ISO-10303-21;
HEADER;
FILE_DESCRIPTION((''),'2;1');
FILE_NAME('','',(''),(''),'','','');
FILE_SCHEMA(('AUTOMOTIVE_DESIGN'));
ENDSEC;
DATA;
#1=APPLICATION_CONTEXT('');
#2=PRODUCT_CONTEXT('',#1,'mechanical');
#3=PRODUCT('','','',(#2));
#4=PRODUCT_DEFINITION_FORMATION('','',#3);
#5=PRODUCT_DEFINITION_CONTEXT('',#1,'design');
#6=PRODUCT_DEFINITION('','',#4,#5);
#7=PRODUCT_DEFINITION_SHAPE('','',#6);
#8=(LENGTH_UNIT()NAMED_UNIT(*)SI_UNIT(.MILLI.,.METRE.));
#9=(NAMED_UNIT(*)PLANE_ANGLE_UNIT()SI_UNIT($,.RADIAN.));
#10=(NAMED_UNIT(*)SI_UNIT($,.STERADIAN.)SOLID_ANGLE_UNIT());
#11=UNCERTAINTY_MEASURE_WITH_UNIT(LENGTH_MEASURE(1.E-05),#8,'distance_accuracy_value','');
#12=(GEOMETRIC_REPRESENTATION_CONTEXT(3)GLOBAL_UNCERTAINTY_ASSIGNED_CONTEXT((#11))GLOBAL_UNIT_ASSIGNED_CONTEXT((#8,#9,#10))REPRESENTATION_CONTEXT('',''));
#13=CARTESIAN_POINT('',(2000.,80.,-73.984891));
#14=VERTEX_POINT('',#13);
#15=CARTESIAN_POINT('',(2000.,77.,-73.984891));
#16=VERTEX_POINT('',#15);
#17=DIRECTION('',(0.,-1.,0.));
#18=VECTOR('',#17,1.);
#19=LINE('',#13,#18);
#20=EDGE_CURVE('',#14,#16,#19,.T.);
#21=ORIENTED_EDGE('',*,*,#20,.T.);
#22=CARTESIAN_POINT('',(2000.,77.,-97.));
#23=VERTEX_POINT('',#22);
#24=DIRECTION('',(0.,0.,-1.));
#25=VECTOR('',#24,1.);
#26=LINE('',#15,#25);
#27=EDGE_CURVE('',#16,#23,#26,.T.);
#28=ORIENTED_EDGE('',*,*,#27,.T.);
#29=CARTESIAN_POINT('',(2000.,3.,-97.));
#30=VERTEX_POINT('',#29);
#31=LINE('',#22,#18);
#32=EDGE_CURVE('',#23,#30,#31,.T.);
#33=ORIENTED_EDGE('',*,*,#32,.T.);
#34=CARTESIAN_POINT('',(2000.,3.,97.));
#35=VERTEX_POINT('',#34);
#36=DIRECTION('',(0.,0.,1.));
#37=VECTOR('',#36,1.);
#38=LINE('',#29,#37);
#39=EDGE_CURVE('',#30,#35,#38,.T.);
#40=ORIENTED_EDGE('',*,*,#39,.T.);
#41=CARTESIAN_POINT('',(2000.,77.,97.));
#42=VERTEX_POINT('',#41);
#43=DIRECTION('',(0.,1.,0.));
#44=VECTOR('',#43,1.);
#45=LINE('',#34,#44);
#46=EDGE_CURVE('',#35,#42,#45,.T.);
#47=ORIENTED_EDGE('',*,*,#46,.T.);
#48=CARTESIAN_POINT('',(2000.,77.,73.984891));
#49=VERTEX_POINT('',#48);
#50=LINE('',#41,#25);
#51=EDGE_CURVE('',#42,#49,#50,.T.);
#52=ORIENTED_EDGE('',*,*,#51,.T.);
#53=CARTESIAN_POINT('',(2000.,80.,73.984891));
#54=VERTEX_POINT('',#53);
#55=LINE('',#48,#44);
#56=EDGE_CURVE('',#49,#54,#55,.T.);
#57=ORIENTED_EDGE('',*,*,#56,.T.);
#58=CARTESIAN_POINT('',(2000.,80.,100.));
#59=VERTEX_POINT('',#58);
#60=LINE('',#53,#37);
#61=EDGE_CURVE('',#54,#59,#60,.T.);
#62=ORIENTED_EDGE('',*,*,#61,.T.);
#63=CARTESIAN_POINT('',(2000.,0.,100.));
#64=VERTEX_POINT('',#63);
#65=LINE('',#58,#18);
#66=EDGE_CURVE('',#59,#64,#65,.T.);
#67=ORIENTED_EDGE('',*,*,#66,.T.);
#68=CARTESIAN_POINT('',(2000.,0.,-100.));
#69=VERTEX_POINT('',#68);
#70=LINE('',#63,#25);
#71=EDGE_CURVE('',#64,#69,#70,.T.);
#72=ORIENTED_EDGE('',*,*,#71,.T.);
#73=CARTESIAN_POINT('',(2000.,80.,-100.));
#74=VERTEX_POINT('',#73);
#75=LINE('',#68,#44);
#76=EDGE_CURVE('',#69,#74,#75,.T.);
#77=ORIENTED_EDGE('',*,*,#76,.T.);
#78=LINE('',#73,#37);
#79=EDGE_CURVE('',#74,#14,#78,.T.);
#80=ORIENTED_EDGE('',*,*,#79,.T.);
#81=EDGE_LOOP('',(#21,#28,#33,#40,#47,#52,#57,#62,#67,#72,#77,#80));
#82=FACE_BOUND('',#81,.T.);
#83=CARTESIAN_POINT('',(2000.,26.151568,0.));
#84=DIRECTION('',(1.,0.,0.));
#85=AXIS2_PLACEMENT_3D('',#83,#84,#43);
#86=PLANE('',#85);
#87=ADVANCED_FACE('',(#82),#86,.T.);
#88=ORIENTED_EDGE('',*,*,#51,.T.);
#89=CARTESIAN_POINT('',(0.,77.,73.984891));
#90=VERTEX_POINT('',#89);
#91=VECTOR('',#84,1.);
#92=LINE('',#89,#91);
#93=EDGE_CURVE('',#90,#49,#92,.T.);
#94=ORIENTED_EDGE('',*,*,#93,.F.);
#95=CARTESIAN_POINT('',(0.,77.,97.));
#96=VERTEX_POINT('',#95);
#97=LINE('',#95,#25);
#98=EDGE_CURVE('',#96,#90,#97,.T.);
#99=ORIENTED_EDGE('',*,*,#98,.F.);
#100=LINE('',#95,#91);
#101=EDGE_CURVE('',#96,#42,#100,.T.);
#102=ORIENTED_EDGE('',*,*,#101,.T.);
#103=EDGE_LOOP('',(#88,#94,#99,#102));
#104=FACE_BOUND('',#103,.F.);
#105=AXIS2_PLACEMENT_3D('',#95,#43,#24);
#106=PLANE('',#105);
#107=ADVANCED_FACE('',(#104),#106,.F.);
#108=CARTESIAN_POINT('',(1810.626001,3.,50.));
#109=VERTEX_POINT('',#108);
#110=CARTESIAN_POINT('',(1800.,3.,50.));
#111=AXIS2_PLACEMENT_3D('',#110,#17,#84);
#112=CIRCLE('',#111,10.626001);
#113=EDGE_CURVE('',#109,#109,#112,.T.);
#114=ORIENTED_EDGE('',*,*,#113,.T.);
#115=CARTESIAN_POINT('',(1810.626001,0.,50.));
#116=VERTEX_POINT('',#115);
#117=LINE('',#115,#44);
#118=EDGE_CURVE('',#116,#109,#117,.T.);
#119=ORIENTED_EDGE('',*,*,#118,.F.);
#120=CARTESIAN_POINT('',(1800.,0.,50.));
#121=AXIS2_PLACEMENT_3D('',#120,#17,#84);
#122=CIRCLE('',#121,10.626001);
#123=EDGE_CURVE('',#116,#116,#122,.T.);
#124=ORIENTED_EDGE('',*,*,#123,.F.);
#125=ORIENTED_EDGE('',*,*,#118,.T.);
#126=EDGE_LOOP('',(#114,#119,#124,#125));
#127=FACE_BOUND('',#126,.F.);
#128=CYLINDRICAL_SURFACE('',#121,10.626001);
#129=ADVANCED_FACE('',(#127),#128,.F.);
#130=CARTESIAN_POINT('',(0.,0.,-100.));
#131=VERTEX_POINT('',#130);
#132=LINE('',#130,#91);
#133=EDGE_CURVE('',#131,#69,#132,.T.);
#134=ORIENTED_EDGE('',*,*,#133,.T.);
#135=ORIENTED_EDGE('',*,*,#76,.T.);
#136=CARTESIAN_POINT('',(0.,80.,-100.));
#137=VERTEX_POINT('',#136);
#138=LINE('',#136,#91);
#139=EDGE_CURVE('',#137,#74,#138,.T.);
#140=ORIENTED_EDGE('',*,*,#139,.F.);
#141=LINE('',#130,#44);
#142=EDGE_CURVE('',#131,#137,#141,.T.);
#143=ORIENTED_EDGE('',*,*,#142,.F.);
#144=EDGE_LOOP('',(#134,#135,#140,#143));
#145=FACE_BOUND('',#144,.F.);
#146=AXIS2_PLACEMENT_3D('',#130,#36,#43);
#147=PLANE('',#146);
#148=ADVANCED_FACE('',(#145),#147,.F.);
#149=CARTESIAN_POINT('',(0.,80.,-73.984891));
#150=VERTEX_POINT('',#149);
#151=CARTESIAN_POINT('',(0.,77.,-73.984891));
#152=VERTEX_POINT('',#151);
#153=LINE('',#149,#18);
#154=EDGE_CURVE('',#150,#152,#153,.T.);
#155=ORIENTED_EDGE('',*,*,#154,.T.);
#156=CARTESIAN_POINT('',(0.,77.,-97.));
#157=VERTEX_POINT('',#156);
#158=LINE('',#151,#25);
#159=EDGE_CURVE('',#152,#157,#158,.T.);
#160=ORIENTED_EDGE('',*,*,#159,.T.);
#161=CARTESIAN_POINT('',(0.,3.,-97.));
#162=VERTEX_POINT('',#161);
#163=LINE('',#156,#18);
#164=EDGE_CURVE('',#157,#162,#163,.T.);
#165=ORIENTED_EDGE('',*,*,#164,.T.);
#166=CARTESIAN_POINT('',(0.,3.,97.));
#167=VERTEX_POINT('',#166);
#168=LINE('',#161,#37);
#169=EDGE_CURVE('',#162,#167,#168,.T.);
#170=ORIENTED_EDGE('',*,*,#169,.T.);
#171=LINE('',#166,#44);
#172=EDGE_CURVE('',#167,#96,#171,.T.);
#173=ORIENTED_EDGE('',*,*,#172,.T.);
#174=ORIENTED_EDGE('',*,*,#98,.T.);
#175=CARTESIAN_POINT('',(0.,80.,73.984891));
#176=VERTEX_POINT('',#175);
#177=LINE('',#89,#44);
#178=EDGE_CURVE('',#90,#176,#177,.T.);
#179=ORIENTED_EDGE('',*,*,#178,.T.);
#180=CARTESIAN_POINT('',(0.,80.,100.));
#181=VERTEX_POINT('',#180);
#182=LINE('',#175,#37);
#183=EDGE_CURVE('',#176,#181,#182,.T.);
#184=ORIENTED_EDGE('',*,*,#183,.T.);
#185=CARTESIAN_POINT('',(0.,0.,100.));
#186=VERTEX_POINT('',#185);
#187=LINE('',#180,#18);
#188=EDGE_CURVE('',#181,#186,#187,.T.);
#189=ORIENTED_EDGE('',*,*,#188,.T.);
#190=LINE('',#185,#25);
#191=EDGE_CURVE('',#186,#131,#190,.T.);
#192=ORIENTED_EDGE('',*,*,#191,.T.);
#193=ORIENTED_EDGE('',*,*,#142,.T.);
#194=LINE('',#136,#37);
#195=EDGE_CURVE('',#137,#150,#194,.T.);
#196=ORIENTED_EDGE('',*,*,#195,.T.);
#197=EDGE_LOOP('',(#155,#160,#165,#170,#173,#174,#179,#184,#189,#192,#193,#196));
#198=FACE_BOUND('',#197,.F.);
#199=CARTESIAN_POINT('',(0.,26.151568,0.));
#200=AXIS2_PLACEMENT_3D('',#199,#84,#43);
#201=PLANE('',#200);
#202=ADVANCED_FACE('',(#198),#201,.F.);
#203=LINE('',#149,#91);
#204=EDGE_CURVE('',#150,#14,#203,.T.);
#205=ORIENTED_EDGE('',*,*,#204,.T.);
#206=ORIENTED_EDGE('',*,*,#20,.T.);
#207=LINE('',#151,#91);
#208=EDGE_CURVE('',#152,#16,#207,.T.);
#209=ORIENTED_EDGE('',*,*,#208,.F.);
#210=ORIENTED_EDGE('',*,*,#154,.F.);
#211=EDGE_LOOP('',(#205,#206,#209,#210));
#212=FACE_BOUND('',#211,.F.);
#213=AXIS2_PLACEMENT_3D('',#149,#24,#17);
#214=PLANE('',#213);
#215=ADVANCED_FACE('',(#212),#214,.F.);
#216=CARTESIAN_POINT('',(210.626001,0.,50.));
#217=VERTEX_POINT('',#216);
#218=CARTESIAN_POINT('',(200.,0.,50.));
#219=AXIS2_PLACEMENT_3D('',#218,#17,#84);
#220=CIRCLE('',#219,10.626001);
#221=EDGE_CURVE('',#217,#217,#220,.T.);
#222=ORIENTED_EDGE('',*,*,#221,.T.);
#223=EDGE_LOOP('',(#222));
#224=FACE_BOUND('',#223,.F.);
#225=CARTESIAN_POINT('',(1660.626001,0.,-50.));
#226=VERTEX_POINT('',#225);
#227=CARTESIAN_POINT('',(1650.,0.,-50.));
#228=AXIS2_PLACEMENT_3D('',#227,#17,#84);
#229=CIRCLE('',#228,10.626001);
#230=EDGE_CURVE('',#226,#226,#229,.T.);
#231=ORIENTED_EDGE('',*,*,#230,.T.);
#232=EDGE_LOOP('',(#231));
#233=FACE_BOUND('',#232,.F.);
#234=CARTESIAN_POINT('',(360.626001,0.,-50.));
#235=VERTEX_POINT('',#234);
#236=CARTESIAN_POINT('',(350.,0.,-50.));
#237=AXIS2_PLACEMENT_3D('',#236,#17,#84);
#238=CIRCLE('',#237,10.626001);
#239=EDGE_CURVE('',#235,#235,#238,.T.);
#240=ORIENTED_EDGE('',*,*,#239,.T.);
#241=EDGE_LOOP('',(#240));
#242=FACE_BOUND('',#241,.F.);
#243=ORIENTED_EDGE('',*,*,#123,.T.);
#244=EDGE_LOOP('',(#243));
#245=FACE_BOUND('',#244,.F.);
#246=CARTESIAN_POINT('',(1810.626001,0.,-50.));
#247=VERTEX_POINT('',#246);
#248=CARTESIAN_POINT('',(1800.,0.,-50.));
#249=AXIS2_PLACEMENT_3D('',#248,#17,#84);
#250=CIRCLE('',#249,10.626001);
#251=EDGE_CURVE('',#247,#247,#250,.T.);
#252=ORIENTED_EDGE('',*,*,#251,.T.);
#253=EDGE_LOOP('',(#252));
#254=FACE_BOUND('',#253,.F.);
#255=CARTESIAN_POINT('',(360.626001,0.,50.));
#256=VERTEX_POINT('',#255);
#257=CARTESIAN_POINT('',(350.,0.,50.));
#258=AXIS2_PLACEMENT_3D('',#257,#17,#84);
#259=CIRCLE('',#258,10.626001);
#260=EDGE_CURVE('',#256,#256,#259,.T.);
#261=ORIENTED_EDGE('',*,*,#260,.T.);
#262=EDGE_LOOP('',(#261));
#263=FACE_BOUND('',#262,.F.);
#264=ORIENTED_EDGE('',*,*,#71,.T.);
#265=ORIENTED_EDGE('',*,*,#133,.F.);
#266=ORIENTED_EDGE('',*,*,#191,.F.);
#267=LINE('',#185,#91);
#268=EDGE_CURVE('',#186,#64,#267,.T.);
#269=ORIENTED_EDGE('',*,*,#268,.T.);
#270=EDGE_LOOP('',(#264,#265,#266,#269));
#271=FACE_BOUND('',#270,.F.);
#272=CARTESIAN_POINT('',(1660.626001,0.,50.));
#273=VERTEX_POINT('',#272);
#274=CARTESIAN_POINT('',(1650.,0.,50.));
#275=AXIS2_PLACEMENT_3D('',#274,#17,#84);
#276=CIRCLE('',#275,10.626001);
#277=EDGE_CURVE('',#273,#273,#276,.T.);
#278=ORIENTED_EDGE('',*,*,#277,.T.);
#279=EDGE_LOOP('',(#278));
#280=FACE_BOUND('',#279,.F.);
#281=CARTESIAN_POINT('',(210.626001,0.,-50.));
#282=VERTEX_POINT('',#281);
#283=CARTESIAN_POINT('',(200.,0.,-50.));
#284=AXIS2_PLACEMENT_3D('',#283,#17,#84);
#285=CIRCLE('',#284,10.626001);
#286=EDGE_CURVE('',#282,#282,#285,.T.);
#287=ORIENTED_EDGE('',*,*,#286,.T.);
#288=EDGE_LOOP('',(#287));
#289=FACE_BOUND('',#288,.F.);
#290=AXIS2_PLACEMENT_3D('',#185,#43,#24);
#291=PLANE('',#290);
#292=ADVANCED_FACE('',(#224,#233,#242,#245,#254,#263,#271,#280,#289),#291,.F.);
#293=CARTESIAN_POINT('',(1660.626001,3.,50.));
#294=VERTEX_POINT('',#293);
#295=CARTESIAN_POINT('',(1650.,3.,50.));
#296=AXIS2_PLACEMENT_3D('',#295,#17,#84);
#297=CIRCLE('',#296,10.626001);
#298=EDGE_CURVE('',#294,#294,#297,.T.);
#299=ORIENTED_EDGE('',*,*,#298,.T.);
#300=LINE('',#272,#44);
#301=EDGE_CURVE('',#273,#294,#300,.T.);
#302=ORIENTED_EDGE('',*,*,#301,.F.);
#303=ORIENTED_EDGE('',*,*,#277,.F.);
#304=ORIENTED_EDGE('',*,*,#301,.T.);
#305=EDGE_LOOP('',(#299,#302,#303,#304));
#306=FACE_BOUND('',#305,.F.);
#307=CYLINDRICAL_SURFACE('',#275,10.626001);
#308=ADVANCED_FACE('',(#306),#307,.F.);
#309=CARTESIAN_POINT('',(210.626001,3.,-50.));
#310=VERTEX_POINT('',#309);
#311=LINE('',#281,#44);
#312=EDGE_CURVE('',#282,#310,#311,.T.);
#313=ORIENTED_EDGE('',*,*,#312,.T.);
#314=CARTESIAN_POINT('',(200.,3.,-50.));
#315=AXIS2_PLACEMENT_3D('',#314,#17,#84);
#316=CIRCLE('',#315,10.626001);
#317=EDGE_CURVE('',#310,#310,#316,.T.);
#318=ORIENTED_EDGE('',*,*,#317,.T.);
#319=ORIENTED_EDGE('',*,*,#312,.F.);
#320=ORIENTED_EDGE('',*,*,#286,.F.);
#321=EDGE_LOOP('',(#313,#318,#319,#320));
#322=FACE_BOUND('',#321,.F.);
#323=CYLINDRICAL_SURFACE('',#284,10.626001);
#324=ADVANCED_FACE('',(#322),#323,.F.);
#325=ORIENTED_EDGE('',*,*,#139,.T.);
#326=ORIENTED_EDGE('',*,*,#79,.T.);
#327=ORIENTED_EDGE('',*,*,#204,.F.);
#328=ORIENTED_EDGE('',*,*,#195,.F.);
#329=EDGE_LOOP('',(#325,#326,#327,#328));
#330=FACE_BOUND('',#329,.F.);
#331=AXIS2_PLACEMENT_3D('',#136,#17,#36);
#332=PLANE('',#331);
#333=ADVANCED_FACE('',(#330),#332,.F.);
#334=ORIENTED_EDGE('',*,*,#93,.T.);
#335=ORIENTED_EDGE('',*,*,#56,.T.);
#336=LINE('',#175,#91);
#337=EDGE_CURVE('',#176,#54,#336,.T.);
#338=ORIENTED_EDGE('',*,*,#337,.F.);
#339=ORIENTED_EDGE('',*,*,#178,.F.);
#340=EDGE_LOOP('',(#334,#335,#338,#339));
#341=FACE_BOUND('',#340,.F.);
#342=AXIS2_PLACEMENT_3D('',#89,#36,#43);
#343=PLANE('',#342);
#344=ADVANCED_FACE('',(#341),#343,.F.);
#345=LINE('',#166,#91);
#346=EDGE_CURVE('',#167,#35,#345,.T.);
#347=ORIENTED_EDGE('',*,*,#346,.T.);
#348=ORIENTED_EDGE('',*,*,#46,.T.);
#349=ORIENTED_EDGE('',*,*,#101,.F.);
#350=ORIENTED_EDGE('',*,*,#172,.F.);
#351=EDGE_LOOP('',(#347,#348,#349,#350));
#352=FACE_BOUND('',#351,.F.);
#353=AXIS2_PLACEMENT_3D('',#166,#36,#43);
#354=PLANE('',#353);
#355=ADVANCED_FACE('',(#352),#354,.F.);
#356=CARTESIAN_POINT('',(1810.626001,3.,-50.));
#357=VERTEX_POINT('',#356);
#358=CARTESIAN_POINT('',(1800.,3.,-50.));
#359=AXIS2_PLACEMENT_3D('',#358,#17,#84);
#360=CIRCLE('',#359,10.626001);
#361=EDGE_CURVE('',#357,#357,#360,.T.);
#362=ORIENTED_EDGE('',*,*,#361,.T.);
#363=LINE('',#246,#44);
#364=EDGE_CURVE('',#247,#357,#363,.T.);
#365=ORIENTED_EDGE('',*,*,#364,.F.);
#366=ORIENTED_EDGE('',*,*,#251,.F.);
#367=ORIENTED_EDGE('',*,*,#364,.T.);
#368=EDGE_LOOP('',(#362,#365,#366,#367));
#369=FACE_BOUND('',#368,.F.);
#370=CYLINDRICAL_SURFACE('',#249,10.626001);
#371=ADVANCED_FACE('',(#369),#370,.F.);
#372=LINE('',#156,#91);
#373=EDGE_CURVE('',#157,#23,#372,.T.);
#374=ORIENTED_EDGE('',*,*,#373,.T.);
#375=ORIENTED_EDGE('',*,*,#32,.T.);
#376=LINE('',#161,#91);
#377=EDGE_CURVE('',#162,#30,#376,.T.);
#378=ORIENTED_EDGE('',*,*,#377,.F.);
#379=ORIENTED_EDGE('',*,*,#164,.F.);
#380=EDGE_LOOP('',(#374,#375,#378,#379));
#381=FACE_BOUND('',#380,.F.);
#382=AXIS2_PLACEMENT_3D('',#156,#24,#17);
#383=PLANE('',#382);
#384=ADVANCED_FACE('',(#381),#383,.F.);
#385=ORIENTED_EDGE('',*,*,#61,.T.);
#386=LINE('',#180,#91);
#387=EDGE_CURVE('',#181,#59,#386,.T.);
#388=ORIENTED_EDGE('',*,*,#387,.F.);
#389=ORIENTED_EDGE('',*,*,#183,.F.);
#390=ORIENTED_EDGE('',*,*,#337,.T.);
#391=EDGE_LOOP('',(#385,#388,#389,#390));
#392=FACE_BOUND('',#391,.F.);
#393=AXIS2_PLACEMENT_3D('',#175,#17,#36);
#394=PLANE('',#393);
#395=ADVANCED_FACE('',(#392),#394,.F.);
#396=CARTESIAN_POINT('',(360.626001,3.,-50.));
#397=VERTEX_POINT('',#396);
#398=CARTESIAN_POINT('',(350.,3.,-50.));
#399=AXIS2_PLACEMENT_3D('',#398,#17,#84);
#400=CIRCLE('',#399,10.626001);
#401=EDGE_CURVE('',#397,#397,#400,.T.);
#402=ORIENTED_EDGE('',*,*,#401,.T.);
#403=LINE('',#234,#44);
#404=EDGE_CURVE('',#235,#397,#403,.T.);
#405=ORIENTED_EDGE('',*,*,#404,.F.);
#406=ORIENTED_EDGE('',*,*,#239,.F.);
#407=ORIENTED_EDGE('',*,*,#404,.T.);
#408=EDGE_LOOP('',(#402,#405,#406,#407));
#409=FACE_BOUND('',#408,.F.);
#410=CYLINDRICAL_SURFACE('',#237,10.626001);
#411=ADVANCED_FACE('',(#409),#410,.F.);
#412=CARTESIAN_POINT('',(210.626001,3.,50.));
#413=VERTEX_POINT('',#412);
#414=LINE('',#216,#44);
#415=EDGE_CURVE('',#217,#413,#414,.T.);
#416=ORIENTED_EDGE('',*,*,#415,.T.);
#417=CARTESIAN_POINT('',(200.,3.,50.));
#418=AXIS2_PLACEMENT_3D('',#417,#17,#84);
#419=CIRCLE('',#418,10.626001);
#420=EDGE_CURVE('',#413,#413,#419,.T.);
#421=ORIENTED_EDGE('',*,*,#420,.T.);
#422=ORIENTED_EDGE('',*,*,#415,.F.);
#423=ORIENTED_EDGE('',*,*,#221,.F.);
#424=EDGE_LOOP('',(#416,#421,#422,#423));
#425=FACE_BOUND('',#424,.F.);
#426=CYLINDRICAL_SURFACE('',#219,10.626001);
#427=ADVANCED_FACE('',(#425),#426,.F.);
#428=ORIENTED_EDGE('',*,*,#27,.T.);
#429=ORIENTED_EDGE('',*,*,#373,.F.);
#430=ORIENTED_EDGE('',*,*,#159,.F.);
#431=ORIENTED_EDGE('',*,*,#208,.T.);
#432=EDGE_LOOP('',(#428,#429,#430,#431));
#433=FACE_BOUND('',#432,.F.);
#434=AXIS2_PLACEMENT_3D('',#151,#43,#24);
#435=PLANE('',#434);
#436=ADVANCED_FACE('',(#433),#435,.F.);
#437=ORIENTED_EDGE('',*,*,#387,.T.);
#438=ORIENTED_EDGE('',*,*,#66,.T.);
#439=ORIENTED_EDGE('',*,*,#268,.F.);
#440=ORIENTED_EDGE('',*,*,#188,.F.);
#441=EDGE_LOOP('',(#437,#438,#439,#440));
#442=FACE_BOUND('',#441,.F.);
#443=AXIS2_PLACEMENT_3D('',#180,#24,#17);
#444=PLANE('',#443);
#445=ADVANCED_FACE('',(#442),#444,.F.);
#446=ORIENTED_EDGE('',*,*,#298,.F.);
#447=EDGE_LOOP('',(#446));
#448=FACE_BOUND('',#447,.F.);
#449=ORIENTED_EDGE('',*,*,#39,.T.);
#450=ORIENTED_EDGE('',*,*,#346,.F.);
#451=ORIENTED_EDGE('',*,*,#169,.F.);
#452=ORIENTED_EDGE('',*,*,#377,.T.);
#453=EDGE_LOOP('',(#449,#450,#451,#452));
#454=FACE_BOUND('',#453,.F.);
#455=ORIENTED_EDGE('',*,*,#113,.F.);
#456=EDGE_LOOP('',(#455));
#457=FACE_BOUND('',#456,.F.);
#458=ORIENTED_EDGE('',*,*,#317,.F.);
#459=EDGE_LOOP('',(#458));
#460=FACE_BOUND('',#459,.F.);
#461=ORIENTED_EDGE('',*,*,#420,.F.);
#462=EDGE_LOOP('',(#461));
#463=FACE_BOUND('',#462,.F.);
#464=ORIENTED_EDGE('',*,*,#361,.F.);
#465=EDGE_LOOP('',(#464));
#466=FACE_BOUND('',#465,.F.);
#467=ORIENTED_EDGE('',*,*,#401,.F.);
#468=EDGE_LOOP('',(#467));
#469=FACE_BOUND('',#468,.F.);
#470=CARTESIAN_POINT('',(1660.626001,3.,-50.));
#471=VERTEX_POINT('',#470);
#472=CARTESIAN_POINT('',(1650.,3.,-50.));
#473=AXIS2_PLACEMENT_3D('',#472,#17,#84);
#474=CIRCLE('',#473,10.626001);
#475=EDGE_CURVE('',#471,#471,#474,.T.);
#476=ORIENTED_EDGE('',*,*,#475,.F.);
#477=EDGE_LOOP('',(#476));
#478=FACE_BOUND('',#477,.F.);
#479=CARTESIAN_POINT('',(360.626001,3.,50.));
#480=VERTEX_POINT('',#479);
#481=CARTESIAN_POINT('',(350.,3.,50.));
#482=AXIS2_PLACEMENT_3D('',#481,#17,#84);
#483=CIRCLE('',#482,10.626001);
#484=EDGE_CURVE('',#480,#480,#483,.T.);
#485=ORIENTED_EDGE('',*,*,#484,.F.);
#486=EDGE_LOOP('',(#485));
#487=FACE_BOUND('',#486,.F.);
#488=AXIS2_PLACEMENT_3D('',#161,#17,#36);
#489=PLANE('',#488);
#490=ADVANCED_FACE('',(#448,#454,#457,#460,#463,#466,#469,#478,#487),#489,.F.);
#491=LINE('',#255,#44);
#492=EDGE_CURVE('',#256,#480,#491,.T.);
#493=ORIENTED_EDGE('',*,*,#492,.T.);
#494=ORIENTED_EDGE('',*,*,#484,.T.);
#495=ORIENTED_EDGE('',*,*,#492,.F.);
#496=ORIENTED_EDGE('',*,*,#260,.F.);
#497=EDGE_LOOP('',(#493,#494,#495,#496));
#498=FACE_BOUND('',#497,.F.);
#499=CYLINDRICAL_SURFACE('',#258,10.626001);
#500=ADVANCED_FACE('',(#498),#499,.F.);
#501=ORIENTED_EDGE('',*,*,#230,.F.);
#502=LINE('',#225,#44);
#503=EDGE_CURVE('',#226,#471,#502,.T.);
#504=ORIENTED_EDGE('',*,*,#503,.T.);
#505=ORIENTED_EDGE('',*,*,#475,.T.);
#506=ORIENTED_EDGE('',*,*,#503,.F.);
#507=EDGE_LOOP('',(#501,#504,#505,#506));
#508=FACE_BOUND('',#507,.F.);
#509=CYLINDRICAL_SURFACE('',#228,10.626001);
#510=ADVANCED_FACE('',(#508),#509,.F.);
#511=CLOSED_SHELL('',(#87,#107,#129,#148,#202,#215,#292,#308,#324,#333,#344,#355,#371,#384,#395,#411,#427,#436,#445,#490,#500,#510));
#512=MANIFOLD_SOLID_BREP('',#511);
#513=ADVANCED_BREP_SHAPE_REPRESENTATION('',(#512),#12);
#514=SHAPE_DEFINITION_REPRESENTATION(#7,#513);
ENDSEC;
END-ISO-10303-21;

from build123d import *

# Parameters (mm, degrees)
F1_DEPTH = 2000
F2_R     = 10.626001
F3_DEPTH = 25
F4_R     = 10.626001
F5_DEPTH = 25


with BuildPart() as f1:
    # F0 (on Right) → F1 (new body)
    with BuildSketch(Plane.YZ):
        Polygon((0, 100), (0, 0), (0, -100), (80, -100), (80, -73.984891), (77, -73.984891), (77, -97), (3, -97), (3, 0), (3, 97), (77, 97), (77, 73.984891), (80, 73.984891), (80, 100), align=None)
    extrude(amount=F1_DEPTH)

    # F2 (on face) → F3 (cut)
    with BuildSketch(Plane.XZ):
        with Locations((200, 50)):
            Circle(F2_R)
        with Locations((200, -50)):
            Circle(F2_R)
        with Locations((350, 50)):
            Circle(F2_R)
        with Locations((350, -50)):
            Circle(F2_R)
    extrude(amount=-F3_DEPTH, mode=Mode.SUBTRACT)

    # F4 (on face) → F5 (cut)
    with BuildSketch(Plane.XZ):
        with Locations((1650, 50)):
            Circle(F4_R)
        with Locations((1650, -50)):
            Circle(F4_R)
        with Locations((1800, 50)):
            Circle(F4_R)
        with Locations((1800, -50)):
            Circle(F4_R)
    extrude(amount=-F5_DEPTH, mode=Mode.SUBTRACT)


solid = f1.part
